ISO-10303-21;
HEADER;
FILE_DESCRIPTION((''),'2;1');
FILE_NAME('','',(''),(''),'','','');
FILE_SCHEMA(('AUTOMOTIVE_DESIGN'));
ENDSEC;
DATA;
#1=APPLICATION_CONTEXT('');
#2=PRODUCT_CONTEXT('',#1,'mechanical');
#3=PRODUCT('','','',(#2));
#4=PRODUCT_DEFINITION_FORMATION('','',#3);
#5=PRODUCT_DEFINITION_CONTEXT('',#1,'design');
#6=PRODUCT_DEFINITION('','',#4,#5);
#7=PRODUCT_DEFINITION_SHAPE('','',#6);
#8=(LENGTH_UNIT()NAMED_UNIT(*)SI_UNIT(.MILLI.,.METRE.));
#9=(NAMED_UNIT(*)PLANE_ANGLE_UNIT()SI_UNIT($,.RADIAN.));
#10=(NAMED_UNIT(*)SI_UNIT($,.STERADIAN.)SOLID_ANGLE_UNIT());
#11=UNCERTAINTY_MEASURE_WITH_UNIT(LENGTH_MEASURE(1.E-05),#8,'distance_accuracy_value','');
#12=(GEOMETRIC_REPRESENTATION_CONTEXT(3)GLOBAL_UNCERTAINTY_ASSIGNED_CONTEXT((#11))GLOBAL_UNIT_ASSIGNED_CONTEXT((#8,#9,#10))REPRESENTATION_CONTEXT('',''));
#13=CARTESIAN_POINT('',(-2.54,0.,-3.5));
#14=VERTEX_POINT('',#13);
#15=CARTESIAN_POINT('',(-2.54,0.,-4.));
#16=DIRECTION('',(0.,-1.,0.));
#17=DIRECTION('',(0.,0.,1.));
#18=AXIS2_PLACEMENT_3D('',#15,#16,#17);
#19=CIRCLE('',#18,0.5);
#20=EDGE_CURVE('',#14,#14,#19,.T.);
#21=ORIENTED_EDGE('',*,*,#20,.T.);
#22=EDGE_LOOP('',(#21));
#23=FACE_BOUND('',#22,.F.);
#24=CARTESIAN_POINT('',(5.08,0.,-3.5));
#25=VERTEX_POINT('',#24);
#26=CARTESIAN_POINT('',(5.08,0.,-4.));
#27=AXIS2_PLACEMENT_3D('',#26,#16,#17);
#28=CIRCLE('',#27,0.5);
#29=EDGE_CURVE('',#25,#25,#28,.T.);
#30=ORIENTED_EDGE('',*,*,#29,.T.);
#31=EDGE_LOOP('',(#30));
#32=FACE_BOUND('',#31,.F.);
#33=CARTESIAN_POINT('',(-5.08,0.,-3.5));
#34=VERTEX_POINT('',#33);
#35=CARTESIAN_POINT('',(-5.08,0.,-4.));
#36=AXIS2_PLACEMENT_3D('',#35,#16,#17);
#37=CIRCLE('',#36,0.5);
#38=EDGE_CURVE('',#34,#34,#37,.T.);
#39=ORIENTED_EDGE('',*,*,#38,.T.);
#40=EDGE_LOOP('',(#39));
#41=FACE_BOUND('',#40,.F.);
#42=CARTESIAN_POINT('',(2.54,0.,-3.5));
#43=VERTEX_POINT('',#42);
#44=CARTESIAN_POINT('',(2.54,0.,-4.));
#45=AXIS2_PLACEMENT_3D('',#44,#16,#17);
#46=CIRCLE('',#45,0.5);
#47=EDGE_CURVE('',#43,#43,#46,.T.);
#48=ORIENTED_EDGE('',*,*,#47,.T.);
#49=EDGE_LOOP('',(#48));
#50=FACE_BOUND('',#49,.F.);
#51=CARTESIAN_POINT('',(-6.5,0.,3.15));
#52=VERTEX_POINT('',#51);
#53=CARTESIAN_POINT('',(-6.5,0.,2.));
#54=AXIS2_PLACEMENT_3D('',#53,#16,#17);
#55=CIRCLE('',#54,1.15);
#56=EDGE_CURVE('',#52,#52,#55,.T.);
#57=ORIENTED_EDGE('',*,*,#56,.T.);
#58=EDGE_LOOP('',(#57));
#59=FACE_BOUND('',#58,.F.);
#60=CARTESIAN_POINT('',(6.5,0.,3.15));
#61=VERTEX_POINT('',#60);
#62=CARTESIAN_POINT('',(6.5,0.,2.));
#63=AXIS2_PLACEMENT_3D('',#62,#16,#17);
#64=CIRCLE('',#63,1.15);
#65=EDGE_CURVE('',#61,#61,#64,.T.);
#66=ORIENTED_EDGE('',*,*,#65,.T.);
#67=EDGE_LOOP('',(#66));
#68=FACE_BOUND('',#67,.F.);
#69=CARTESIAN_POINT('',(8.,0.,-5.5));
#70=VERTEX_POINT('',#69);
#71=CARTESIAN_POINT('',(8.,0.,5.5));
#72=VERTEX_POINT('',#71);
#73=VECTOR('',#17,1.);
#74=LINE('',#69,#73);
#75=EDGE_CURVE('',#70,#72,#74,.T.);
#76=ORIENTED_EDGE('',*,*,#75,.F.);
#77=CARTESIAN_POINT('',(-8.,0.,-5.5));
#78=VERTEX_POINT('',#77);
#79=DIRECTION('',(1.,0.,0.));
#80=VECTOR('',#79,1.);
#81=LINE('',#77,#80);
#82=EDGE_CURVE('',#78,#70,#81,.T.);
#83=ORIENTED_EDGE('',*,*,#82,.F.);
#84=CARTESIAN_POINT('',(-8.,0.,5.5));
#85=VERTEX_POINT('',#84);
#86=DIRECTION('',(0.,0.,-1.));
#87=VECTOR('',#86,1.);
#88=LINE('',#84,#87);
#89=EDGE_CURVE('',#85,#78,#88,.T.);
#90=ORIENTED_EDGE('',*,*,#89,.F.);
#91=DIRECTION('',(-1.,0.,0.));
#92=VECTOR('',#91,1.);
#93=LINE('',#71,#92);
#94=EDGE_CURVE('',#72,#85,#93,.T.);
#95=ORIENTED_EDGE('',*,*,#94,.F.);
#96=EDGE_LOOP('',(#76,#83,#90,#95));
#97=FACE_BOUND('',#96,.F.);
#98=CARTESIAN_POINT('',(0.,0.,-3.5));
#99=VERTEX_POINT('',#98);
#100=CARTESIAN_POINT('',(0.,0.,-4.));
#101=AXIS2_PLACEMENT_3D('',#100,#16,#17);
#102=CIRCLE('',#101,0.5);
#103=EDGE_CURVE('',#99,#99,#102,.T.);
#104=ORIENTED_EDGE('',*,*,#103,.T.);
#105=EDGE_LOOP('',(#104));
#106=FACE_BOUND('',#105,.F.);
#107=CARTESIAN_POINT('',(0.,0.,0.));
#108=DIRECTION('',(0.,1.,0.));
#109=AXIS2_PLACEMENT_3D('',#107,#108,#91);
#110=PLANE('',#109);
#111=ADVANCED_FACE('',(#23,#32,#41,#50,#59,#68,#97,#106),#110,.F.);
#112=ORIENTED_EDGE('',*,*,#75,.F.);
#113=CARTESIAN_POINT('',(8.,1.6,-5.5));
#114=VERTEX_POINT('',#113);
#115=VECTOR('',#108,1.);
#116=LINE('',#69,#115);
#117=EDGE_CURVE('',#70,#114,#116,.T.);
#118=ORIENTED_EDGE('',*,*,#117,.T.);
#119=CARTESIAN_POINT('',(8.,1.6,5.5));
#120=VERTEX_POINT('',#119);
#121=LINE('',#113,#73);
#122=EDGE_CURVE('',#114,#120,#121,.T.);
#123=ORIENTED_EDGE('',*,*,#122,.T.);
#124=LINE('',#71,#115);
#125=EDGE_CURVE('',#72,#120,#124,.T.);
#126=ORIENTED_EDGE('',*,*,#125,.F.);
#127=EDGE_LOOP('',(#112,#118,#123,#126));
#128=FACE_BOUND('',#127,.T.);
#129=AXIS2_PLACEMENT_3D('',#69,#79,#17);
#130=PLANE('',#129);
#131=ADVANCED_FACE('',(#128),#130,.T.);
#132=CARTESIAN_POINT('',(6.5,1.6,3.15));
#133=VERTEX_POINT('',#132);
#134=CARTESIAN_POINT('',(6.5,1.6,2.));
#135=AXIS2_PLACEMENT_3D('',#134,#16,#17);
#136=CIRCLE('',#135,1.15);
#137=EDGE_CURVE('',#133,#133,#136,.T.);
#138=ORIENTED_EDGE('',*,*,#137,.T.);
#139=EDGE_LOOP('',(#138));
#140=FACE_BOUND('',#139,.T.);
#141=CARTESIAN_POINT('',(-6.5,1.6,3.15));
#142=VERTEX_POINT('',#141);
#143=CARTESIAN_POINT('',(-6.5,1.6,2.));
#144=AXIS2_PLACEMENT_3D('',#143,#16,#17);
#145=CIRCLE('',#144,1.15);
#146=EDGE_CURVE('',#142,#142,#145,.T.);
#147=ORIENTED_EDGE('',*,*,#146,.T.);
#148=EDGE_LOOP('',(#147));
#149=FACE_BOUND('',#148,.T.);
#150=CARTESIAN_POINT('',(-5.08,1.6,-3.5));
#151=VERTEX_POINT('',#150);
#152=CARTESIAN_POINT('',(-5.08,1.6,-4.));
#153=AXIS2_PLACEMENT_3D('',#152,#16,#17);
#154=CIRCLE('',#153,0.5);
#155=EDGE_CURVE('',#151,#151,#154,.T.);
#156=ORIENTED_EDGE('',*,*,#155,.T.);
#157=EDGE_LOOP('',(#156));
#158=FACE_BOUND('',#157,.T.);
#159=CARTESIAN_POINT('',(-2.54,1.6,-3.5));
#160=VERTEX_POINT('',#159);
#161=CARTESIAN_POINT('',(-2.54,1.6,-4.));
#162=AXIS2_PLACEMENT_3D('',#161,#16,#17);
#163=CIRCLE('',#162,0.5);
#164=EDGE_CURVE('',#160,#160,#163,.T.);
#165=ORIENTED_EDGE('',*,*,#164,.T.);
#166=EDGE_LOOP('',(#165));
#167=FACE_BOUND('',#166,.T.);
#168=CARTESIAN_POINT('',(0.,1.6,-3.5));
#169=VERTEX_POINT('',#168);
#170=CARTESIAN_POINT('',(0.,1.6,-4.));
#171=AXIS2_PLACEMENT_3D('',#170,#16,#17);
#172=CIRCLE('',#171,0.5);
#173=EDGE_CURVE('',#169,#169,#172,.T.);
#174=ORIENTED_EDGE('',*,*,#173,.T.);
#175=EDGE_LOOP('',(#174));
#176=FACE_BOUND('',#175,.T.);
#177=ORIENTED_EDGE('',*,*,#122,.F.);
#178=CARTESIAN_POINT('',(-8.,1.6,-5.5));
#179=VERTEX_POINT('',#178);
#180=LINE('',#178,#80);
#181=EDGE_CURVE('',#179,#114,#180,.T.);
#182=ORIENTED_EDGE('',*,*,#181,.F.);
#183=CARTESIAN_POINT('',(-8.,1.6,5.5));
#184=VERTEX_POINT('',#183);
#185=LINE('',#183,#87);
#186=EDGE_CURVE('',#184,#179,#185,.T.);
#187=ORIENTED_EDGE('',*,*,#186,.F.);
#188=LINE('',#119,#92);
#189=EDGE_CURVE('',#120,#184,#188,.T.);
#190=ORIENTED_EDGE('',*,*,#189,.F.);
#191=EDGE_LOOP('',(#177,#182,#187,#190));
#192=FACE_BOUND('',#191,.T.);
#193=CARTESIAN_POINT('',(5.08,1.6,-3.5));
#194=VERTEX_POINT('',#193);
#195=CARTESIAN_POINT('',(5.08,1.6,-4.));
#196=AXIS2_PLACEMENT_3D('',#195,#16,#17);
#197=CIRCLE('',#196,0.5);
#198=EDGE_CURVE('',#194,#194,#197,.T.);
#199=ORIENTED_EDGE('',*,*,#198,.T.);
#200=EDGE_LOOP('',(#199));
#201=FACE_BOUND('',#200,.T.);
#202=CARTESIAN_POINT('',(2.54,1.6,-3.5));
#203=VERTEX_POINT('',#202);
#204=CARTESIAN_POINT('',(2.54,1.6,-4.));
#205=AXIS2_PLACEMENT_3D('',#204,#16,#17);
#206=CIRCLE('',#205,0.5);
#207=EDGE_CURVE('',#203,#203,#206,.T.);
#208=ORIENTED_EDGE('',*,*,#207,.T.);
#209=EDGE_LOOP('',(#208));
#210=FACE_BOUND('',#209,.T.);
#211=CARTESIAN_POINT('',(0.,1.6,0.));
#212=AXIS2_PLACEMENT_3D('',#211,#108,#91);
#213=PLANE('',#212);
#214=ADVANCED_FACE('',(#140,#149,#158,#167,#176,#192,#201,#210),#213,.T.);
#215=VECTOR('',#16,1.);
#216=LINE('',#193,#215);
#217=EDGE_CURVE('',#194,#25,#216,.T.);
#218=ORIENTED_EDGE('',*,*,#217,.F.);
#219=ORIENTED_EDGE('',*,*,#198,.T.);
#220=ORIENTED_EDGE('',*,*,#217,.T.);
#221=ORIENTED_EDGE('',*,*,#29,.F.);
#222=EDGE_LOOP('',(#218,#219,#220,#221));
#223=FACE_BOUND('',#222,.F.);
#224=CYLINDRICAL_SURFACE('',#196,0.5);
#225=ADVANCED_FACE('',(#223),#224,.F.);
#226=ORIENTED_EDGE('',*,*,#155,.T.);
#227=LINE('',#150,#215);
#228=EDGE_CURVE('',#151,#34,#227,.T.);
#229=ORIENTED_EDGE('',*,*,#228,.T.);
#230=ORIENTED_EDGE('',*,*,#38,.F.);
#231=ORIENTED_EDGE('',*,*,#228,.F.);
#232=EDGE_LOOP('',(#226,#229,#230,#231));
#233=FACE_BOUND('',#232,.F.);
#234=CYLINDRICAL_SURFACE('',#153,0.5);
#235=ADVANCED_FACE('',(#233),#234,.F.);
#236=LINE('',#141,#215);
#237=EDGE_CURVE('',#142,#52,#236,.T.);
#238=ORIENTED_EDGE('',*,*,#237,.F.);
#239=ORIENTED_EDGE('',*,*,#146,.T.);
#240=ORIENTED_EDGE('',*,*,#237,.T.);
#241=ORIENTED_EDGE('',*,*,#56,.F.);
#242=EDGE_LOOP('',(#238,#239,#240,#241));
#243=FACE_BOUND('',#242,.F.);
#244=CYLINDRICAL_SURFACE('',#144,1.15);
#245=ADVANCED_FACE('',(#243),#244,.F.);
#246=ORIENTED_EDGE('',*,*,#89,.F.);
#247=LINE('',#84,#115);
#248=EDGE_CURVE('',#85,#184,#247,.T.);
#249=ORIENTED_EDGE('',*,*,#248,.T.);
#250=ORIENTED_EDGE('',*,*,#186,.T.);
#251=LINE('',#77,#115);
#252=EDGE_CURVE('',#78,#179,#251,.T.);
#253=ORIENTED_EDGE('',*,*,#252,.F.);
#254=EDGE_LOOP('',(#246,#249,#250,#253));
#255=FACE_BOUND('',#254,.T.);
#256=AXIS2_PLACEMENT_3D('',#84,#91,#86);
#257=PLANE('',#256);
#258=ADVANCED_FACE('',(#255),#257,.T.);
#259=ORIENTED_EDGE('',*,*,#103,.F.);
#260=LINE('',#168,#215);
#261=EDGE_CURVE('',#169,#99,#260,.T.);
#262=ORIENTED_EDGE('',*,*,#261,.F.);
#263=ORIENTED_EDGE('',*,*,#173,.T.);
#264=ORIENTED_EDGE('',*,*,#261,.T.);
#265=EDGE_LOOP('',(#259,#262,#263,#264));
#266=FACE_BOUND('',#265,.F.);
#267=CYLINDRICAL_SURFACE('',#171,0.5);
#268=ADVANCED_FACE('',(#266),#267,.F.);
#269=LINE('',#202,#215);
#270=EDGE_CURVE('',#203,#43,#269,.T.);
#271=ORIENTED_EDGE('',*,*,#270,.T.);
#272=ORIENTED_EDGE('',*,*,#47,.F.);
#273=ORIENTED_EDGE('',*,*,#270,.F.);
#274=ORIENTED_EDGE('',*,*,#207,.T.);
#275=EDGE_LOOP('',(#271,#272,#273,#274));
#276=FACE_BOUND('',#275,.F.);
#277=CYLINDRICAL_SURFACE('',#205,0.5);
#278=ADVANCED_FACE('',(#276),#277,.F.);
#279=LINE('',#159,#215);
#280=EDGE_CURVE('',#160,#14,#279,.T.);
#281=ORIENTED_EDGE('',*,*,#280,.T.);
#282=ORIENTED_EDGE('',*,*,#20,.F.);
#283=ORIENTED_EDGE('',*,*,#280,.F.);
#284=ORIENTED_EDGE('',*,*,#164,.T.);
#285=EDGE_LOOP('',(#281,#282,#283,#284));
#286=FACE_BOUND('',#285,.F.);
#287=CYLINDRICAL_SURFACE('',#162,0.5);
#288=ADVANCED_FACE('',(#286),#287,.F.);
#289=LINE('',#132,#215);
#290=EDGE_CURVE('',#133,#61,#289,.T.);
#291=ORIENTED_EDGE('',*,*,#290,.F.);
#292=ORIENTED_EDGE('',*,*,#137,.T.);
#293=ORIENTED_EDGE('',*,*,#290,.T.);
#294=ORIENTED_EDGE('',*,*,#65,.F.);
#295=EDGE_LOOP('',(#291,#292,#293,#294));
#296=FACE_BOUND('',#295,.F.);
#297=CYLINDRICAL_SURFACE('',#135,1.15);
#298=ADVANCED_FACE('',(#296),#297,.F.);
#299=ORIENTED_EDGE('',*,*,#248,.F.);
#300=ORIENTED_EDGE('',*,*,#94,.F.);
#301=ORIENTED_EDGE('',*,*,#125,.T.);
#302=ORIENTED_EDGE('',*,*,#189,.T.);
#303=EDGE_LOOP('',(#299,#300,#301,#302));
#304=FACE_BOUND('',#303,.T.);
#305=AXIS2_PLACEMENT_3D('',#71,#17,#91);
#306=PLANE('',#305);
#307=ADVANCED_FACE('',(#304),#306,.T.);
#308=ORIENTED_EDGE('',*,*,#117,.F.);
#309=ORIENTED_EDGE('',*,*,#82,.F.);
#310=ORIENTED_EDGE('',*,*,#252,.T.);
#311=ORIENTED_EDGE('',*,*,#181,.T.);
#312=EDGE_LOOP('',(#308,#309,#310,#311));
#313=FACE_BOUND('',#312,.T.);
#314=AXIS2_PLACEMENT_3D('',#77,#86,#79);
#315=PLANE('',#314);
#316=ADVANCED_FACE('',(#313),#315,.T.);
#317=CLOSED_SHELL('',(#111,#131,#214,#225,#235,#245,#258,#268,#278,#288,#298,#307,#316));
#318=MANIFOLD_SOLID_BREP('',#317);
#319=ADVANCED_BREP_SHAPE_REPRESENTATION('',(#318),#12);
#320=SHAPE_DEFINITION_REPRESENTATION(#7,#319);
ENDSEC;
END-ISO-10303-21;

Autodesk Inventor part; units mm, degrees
ref_plane "YZ Plane" through (0, 0, 0) normal (1, 0, 0) x (0, 1, 0)
ref_plane "XZ Plane" through (0, 0, 0) normal (0, 1, 0) x (-1, 0, 0)
ref_plane "XY Plane" through (0, 0, 0) normal (0, 0, 1) x (1, 0, 0)
sketch "Sketch1" plane through (0, 0, 0) normal (0, 1, 0) x (-1, 0, 0)
  line L0 (-8, 5.5) -> (8, 5.5)
  line L1 (8, 5.5) -> (8, -5.5)
  line L2 (8, -5.5) -> (-8, -5.5)
  line L3 (-8, -5.5) -> (-8, 5.5)
  line L4 (-8, 5.5) -> (8, -5.5) construction
  line L5 (8, 5.5) -> (-8, -5.5) construction
  point P0 (0, 0)
  dimension "d0" = 16
  dimension "d1" = 11
extrude "Extrusion1" add sketch "Sketch1" along normal blind 1.6
sketch "Sketch2" plane through (0, 1.6, 0) normal (0, 1, 0) x (1, 0, 0)
  line L0 (8, -5.5) -> (8, 5.5) projected
  line L1 (-8, 5.5) -> (-8, -5.5) projected
  line L2 (8, 5.5) -> (-8, 5.5) projected
  point P0 (0, 0)
  point P1 (-6.5, -2)
  point P2 (6.5, -2)
  dimension "d4" = 1.5
  dimension "d5" = 1.5
  dimension "d6" = 7.5
  dimension "d7" = 7.5
hole "Hole1" at (-6.5, 1.6, 2) at (6.5, 1.6, 2) direction (0, -1, 0) diameter 2.3 end through all
sketch "Sketch3" plane through (0, 1.6, 0) normal (0, 1, 0) x (1, 0, 0)
  line L0 (-5.08, 4) -> (5.08, 4) construction
  line L1 (8, 5.5) -> (-8, 5.5) projected
  point P0 (0, 0)
  point P1 (0, 4)
  point P2 (-2.54, 4)
  point P3 (2.54, 4)
  point P4 (0, 4)
  dimension "d15" = 2.54
  dimension "d16" = 2.54
  dimension "d17" = 2.54
  dimension "d18" = 2.54
  dimension "d19" = 0
  dimension "d20" = 1.5
hole "Hole2" at (0, 1.6, -4) at (-2.54, 1.6, -4) at (-5.08, 1.6, -4) at (2.54, 1.6, -4) at (5.08, 1.6, -4) direction (0, -1, 0) diameter 1 end through all
properties part number "USB-C_BASE_plate"
